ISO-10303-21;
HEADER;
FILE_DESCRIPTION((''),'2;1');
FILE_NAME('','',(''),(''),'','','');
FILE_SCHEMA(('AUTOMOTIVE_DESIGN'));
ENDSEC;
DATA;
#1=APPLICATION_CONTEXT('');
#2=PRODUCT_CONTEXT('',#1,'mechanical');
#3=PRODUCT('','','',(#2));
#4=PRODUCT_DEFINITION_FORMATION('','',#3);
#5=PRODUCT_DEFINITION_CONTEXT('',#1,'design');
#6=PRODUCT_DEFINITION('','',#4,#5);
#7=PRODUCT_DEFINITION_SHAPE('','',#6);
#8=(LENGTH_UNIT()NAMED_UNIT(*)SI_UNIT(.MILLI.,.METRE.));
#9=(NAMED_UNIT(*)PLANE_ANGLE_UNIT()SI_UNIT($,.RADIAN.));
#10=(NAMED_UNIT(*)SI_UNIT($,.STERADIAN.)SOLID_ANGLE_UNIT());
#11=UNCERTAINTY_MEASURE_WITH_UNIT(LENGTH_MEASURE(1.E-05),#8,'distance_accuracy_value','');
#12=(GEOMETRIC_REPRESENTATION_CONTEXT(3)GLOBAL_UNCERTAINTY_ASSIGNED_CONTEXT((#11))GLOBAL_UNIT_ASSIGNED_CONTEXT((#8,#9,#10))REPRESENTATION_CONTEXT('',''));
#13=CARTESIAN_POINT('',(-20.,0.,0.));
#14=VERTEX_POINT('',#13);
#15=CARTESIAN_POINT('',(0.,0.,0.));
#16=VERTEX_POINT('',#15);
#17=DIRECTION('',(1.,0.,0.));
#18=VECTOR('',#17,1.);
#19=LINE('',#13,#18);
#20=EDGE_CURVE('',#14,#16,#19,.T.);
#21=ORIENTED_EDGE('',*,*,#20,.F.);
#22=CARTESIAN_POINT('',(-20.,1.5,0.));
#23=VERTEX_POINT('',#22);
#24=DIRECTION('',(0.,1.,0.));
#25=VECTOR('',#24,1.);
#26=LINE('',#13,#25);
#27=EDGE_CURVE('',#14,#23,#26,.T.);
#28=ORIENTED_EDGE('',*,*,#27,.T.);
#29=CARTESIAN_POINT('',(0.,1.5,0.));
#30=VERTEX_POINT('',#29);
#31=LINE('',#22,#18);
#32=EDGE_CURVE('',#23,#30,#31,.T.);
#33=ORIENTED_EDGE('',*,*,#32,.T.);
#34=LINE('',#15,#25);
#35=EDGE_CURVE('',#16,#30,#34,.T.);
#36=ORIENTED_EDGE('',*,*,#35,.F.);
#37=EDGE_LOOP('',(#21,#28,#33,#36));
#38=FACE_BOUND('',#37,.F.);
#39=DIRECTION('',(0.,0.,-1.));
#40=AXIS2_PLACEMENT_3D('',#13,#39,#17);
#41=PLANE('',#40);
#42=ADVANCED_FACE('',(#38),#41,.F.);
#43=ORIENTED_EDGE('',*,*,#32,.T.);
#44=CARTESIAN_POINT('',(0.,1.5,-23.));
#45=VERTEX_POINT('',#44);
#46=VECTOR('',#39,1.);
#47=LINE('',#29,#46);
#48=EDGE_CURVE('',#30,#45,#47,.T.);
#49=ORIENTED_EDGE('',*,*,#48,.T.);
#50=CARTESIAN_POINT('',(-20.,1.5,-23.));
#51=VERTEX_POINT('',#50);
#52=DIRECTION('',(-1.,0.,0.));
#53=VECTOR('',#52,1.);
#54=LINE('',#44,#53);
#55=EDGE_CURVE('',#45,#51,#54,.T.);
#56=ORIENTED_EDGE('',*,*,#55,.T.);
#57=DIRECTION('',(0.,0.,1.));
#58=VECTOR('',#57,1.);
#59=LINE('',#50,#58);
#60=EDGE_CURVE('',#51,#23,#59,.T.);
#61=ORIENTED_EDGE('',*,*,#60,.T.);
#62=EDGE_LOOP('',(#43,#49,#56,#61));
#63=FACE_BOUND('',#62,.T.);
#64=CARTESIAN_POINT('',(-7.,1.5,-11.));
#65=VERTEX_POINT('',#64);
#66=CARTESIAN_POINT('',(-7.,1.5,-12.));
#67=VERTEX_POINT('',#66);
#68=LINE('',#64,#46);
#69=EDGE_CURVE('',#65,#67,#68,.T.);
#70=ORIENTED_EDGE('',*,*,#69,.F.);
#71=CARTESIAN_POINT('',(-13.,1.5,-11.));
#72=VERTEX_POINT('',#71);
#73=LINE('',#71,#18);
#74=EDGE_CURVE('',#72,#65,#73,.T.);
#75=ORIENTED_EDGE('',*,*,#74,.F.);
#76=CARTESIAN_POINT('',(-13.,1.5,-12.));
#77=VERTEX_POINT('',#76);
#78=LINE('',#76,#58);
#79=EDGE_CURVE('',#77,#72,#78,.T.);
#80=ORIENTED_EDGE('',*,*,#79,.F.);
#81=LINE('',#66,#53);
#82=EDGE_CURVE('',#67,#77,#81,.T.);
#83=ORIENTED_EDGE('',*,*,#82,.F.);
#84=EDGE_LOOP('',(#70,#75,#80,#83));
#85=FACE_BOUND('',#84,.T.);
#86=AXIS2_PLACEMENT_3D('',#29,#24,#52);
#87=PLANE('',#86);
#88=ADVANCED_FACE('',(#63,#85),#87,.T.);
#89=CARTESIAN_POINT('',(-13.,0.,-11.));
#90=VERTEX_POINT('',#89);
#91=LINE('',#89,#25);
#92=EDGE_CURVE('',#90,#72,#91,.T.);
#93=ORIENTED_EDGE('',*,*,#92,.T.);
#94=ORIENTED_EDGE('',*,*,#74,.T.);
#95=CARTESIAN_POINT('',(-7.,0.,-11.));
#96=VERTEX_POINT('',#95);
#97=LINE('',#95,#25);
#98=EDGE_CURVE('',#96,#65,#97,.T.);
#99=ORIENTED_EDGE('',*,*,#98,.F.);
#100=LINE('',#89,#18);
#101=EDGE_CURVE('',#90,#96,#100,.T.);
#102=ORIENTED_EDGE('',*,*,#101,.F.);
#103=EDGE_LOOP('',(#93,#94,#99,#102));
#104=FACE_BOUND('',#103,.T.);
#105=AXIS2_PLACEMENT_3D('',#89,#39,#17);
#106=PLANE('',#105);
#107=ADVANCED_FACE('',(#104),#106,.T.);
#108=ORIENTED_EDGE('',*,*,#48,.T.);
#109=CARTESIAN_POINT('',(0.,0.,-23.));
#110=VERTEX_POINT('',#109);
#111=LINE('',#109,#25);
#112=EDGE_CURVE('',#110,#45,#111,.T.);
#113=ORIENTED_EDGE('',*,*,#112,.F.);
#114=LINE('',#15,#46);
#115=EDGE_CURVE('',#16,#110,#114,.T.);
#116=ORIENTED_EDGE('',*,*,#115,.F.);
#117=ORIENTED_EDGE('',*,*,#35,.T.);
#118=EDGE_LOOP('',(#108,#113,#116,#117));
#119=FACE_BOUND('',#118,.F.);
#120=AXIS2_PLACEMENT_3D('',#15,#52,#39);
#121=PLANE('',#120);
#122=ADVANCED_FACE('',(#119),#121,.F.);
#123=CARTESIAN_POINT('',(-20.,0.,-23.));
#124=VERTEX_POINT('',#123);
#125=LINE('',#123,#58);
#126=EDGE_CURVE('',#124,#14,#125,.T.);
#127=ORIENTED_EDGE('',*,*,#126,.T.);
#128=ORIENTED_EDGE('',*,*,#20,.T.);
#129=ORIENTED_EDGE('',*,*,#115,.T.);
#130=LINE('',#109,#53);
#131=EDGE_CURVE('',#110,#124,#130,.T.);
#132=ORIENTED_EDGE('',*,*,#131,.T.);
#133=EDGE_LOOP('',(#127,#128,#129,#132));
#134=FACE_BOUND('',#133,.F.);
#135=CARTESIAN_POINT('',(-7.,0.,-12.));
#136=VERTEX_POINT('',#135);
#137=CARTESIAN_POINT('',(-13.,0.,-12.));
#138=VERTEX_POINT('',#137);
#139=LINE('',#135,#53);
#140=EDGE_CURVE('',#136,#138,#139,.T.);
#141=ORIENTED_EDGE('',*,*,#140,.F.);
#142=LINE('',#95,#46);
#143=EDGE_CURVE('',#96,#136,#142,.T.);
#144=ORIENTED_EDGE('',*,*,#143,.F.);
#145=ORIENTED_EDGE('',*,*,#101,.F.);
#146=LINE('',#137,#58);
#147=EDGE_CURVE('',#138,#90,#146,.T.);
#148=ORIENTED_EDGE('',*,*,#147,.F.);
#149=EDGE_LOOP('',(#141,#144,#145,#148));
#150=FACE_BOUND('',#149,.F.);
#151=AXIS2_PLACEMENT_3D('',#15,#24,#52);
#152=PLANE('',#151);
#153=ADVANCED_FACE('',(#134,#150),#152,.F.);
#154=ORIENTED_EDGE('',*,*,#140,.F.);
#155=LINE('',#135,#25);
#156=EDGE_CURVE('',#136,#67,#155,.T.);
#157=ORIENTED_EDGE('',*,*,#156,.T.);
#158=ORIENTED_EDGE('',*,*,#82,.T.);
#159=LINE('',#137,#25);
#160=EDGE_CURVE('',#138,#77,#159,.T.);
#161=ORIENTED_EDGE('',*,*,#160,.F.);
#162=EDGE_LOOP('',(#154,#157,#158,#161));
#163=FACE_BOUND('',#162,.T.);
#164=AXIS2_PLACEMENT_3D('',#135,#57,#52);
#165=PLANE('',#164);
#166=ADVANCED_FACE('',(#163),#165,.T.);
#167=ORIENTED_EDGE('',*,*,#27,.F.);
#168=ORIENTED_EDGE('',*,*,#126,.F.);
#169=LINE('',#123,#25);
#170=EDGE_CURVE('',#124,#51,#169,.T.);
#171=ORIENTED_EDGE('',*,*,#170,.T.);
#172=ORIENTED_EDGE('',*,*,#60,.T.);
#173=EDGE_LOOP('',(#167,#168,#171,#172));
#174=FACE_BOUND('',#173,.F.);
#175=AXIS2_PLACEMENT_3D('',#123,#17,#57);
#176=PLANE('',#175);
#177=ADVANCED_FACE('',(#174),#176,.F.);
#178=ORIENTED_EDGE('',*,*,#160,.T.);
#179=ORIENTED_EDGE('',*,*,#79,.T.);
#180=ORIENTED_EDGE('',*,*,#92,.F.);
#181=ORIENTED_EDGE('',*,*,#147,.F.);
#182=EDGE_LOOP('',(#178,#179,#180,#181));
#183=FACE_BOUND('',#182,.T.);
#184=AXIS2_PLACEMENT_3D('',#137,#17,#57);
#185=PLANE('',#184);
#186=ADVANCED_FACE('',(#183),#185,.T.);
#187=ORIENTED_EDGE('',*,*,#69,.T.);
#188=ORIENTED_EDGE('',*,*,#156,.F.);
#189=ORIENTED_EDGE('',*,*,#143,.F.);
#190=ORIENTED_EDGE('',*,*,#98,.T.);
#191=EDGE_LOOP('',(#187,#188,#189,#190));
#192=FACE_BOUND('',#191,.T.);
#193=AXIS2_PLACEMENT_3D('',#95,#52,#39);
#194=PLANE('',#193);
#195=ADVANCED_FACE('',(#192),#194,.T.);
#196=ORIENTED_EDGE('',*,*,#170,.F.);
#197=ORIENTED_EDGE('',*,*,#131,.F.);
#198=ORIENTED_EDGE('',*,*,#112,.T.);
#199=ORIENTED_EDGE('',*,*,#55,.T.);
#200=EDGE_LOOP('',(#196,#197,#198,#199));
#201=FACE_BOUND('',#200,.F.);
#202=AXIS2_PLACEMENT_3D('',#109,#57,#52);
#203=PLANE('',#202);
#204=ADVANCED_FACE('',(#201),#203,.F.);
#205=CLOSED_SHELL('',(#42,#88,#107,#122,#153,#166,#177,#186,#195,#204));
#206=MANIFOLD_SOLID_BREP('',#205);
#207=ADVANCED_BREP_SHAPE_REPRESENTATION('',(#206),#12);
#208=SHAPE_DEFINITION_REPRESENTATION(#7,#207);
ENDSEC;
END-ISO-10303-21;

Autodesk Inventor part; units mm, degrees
ref_plane "YZ Plane" through (0, 0, 0) normal (1, 0, 0) x (0, 1, 0)
ref_plane "XZ Plane" through (0, 0, 0) normal (0, 1, 0) x (-1, 0, 0)
ref_plane "XY Plane" through (0, 0, 0) normal (0, 0, 1) x (1, 0, 0)
sketch "Sketch1" plane through (0, 0, 0) normal (0, 1, 0) x (-1, 0, 0)
  line L0 (0, 0) -> (0, -23)
  line L1 (0, -23) -> (20, -23)
  line L2 (20, -23) -> (20, 0)
  line L3 (16.0214, -11.5) -> (3.8301, -11.5) construction
  line L4 (20, 0) -> (0, 0)
  line L5 (13, -11) -> (7, -11)
  line L6 (7, -11) -> (7, -12)
  line L7 (7, -12) -> (13, -12)
  line L8 (13, -12) -> (13, -11)
  line L9 (10, -8) -> (10, -15) construction
  dimension "d0" = 23
  dimension "d10" = 20
  dimension "d13" = 10
  dimension "d14" = 1
  dimension "d15" = 6
extrude "Extrusion4" add sketch "Sketch1" along normal blind 1.5
properties part number "Distance_test_adaptor_slit_1mm"
